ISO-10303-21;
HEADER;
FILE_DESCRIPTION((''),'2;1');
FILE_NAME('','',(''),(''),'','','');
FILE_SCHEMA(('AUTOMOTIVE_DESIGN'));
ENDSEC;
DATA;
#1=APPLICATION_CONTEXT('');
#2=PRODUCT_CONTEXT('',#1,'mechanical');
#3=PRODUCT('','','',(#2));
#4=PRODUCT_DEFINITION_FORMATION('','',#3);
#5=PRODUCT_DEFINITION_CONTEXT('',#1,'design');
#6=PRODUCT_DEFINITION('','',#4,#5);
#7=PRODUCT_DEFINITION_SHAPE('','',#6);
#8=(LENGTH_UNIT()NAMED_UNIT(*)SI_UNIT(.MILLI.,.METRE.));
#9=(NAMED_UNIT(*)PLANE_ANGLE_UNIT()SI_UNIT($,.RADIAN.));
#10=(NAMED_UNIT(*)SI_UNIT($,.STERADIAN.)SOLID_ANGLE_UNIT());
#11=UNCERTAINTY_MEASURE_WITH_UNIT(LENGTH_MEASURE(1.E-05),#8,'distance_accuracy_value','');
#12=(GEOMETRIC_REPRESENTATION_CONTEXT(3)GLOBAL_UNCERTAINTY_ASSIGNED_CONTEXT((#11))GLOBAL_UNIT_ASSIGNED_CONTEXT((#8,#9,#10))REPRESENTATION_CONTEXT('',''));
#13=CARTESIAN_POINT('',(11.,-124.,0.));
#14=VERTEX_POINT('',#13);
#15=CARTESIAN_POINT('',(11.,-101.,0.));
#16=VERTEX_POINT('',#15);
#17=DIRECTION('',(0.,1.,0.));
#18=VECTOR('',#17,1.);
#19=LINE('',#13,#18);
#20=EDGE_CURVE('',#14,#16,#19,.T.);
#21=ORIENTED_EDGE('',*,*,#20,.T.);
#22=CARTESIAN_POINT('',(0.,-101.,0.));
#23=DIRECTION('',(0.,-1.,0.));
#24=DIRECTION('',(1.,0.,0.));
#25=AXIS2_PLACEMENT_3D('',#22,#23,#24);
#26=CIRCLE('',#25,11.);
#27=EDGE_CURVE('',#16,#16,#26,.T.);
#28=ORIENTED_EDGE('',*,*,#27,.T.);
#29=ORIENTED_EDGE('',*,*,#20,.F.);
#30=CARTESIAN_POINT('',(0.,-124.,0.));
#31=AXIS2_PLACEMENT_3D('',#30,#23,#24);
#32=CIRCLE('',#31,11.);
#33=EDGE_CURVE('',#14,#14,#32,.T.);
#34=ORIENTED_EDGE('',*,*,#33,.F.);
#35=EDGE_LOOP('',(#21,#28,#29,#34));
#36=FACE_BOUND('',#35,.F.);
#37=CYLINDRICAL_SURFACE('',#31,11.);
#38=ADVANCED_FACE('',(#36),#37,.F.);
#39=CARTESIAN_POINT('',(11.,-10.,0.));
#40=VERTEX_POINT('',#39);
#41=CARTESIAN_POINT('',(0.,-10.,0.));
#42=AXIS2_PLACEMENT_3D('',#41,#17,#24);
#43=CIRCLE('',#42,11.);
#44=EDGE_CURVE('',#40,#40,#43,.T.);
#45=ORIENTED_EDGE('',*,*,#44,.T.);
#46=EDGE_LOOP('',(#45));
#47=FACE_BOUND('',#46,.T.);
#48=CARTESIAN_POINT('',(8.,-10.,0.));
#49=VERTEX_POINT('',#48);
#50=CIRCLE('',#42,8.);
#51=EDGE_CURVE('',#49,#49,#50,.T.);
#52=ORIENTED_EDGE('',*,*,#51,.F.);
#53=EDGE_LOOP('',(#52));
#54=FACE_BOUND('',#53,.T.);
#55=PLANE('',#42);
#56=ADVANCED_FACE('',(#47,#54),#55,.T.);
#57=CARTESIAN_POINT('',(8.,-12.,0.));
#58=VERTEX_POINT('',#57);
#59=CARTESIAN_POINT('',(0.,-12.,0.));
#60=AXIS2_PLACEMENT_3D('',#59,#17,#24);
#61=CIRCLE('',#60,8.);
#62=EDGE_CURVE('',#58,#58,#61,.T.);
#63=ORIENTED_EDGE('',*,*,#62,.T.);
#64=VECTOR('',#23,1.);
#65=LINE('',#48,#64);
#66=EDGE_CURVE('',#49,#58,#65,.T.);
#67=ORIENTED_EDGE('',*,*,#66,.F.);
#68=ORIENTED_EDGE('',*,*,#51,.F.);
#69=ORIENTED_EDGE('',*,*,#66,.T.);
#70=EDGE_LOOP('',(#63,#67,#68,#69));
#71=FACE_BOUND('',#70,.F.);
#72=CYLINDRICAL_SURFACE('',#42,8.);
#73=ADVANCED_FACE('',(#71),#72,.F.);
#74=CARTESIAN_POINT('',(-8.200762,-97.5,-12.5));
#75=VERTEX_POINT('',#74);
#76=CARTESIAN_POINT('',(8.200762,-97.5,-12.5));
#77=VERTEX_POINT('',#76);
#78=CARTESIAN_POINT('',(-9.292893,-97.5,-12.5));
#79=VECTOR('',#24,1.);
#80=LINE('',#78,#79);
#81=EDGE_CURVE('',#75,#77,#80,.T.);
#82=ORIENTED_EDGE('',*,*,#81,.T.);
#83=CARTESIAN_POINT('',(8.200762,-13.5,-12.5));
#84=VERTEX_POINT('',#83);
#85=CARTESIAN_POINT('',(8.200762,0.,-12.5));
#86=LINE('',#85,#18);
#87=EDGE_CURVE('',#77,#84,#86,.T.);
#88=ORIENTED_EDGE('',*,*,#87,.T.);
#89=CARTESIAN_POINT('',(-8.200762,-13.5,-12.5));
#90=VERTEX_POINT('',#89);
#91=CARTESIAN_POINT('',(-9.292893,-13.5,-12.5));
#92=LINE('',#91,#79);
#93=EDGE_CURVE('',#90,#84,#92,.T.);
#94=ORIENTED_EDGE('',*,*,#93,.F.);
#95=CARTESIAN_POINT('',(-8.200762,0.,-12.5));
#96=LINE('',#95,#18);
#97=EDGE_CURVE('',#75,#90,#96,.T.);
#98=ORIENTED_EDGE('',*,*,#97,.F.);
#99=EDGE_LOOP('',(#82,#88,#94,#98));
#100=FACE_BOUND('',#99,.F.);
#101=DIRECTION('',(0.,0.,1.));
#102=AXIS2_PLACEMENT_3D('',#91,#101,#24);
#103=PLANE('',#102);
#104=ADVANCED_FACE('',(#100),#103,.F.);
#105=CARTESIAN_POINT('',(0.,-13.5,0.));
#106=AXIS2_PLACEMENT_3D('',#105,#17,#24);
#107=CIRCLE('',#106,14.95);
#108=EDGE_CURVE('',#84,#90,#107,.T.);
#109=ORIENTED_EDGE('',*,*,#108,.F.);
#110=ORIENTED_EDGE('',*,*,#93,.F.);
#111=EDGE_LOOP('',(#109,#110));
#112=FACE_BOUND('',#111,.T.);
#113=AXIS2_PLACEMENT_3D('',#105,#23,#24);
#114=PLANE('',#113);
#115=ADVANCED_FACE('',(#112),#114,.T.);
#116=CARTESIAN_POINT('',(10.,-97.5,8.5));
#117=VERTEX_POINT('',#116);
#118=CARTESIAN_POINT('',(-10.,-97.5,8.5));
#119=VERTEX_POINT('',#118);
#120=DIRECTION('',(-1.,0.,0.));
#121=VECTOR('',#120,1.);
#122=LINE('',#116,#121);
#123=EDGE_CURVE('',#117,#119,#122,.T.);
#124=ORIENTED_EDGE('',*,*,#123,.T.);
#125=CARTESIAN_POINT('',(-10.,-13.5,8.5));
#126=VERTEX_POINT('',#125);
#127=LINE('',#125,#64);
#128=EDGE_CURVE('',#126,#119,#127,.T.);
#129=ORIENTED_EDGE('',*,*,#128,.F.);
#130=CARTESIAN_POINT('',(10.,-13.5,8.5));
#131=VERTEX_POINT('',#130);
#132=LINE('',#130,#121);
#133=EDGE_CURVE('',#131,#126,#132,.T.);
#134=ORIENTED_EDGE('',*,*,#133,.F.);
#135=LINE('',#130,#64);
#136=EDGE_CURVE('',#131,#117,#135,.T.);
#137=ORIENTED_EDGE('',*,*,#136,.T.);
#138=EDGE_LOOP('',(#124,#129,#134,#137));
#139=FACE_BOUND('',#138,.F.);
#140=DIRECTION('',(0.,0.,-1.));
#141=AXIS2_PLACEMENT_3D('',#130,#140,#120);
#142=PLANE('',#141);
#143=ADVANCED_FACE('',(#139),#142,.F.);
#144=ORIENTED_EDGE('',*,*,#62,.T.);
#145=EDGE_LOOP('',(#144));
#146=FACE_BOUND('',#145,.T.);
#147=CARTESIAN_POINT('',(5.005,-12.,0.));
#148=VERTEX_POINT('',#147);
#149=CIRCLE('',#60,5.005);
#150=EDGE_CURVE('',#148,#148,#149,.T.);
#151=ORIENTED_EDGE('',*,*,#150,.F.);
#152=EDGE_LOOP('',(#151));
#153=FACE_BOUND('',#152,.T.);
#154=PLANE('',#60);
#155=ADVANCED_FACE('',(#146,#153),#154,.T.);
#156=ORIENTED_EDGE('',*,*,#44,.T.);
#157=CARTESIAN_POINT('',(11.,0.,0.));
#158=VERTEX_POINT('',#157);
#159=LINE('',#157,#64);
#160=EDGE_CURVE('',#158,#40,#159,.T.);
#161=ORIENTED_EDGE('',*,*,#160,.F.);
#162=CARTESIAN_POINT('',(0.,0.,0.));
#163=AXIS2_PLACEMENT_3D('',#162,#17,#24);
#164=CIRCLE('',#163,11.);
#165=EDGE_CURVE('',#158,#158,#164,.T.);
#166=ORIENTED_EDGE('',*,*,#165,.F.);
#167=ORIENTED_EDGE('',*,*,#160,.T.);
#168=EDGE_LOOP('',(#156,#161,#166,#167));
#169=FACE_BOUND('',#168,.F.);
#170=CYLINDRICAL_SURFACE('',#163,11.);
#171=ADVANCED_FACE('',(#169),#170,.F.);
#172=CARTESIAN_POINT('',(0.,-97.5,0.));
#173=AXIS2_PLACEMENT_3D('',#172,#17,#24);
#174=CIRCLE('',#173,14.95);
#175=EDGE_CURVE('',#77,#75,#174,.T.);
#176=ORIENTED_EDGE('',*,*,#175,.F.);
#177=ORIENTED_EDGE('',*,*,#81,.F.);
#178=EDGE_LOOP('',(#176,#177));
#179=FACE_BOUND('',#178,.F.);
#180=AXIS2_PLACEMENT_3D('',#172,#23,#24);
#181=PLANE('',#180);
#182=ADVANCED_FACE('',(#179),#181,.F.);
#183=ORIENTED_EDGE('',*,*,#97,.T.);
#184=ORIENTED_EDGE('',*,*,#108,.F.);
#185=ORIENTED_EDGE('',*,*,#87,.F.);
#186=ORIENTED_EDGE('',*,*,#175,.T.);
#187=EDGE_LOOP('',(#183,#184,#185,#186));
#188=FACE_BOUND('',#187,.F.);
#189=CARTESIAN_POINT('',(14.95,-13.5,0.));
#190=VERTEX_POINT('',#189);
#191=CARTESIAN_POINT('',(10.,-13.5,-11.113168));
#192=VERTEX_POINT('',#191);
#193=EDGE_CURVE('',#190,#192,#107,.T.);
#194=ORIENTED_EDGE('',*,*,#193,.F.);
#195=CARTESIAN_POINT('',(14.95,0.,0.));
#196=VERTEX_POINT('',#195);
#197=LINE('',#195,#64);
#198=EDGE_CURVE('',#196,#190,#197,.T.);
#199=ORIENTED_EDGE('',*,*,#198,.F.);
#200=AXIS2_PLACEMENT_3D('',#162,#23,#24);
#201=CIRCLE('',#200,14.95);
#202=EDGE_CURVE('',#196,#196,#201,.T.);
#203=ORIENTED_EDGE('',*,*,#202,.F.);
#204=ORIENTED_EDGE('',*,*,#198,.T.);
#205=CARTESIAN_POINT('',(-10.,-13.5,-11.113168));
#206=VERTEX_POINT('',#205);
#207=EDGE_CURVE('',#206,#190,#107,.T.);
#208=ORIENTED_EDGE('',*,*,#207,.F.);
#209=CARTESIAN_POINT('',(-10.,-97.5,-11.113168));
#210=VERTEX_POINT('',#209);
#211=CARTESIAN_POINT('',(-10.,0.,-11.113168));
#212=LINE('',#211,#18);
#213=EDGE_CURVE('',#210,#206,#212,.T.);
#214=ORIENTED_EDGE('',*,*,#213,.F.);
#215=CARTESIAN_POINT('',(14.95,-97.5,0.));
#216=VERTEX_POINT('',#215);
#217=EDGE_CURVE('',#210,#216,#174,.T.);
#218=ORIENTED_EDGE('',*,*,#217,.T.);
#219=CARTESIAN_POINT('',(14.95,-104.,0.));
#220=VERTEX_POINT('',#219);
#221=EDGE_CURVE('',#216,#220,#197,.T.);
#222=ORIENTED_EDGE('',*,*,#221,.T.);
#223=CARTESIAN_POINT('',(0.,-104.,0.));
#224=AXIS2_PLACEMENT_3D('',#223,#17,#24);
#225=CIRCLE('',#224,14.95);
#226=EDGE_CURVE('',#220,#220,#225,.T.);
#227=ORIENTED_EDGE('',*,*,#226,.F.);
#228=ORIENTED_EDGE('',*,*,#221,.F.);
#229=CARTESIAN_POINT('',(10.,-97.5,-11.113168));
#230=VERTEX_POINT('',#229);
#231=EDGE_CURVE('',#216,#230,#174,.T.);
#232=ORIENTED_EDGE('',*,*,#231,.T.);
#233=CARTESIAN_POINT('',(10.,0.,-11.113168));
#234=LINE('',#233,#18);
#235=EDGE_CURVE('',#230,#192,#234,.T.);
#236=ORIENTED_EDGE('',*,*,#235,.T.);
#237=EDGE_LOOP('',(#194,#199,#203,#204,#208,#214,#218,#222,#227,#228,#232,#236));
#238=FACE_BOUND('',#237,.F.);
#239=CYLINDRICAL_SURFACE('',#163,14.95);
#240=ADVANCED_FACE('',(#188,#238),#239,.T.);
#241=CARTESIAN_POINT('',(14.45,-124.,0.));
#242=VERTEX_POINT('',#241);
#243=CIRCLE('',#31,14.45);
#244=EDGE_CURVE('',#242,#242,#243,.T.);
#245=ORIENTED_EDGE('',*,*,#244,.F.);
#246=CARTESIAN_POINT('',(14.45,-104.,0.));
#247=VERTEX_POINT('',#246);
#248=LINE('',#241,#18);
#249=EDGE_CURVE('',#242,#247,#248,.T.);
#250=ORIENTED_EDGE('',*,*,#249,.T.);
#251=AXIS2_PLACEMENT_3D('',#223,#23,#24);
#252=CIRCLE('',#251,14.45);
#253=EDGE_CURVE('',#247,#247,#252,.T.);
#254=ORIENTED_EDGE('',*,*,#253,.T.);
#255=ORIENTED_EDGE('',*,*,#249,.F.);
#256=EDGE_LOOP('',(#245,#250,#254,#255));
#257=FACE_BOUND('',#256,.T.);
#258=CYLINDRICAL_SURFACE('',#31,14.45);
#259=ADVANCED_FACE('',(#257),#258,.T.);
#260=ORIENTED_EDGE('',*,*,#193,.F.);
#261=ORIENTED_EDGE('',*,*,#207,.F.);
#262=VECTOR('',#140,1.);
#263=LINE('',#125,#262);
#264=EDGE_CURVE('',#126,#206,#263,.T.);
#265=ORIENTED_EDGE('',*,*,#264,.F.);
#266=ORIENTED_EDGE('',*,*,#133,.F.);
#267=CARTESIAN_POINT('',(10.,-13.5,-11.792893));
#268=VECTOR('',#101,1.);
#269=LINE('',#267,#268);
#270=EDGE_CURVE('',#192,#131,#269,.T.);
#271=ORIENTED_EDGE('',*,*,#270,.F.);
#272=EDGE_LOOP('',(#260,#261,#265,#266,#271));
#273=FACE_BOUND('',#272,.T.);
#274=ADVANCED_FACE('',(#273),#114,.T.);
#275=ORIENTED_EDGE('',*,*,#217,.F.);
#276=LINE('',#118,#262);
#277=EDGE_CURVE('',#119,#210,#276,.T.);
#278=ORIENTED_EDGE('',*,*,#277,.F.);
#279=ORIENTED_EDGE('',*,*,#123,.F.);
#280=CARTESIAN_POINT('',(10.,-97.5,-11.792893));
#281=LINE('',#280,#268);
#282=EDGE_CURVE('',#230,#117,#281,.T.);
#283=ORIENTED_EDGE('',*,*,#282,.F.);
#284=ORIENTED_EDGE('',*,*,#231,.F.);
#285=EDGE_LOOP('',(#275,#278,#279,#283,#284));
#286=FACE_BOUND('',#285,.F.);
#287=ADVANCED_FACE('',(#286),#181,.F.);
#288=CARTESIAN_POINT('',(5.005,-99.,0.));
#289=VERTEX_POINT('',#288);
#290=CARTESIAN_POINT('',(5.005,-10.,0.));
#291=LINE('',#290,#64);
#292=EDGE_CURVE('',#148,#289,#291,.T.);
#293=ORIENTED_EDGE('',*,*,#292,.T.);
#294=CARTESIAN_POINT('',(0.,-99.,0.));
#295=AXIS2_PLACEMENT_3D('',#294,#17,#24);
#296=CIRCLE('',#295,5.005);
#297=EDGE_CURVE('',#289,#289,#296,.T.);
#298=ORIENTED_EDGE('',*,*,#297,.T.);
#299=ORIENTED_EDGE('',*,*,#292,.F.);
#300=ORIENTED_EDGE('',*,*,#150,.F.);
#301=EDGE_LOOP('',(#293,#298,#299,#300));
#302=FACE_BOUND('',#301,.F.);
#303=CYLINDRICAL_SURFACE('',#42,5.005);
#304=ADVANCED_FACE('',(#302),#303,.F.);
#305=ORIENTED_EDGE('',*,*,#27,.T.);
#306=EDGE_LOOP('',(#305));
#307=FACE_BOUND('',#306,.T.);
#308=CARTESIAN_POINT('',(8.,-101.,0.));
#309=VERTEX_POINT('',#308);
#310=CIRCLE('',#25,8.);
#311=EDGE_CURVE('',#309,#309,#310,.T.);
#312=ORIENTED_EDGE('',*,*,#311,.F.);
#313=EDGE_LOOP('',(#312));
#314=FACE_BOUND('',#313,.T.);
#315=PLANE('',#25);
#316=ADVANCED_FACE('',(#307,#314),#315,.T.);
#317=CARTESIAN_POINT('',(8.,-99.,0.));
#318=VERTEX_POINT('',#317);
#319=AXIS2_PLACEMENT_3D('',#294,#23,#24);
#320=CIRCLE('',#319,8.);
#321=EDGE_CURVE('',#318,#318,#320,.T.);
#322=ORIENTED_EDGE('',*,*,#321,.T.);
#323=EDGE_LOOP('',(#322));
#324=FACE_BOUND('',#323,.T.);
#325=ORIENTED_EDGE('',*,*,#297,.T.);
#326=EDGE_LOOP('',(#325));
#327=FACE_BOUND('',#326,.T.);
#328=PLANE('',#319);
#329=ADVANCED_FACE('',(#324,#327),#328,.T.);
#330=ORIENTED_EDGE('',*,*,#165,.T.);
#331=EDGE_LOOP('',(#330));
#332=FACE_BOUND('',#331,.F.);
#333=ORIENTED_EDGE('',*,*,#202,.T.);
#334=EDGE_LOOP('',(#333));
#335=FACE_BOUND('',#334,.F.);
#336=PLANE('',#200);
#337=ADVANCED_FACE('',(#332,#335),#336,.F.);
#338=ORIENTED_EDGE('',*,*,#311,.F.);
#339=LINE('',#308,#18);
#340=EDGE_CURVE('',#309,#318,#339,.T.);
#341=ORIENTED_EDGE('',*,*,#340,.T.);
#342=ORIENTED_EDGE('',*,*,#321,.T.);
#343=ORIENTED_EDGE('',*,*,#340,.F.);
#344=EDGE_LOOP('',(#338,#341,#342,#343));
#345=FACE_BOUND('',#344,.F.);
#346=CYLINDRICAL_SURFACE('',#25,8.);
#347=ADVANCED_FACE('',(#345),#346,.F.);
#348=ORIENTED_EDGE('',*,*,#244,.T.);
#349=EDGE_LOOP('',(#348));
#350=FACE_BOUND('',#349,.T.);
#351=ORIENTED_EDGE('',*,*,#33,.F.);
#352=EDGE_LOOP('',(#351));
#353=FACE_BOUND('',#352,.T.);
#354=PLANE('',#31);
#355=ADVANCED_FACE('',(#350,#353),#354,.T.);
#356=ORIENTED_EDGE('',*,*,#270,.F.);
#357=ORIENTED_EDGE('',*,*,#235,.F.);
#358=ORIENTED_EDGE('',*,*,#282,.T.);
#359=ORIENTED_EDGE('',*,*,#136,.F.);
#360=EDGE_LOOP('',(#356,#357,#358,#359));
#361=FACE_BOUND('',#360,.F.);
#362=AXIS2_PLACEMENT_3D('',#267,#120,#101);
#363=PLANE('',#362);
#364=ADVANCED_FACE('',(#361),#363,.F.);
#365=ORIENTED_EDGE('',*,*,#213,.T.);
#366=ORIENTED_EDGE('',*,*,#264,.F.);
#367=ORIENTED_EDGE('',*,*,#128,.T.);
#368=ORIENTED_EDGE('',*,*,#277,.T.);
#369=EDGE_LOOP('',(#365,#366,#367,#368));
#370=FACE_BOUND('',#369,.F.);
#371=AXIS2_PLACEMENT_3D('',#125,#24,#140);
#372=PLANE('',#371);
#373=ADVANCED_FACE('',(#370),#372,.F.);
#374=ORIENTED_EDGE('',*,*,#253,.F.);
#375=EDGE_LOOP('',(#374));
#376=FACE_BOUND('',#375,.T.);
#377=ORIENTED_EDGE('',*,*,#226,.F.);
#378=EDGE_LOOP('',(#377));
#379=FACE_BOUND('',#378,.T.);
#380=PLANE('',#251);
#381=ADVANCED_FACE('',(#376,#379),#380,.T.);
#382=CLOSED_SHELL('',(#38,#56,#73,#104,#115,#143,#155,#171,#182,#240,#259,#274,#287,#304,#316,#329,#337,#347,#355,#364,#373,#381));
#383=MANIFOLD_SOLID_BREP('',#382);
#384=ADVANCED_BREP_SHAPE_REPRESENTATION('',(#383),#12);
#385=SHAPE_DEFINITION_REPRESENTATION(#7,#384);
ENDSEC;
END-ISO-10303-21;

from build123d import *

# Parameters (mm, degrees)
SKETCH_R        = 14.95
PAD001_DEPTH    = 124
SKETCH001_R     = 11
POCKET_DEPTH    = 10
SKETCH021_R     = 8
POCKET007_DEPTH = 2
SKETCH002_R     = 5.005
POCKET001_DEPTH = 114.001
SKETCH003_R     = 11
POCKET002_DEPTH = 23
SKETCH022_R     = 8
POCKET008_DEPTH = 2
SKETCH004_W     = 30.9
SKETCH004_H     = 30.9
POCKET003_DEPTH = 84
SKETCH015_R     = 15.45
SKETCH015_R_2   = 14.45
POCKET005_DEPTH = 20


with BuildPart() as part:
    # Sketch → Pad001 (new body)
    with BuildSketch(Plane.XZ):
        Circle(SKETCH_R)
    extrude(amount=PAD001_DEPTH)

    # Sketch001 (on Face2 of Pad001) → Pocket (cut)
    with BuildSketch(Plane(origin=(0, 0, 0), x_dir=(1, 0, 0), z_dir=(0, 1, 0))):
        Circle(SKETCH001_R)
    extrude(amount=-POCKET_DEPTH, mode=Mode.SUBTRACT)

    # Sketch021 (on Face5 of Pocket) → Pocket007 (cut)
    with BuildSketch(Plane(origin=(0, -10, 0), x_dir=(1, 0, 0), z_dir=(0, 1, 0))):
        Circle(SKETCH021_R)
    extrude(amount=-POCKET007_DEPTH, mode=Mode.SUBTRACT)

    # Sketch002 (on Face5 of Pocket) → Pocket001 (cut, through all)
    with BuildSketch(Plane(origin=(0, -10, 0), x_dir=(1, 0, 0), z_dir=(0, 1, 0))):
        Circle(SKETCH002_R)
    extrude(amount=-POCKET001_DEPTH, mode=Mode.SUBTRACT)

    # Sketch003 (on Face3 of Pocket001) → Pocket002 (cut)
    with BuildSketch(Plane.XZ.offset(124)):
        Circle(SKETCH003_R)
    extrude(amount=-POCKET002_DEPTH, mode=Mode.SUBTRACT)

    # Sketch022 (on Face7 of Pocket002) → Pocket008 (cut)
    with BuildSketch(Plane.XZ.offset(101)):
        Circle(SKETCH022_R)
    extrude(amount=-POCKET008_DEPTH, mode=Mode.SUBTRACT)

    # Sketch004 → Pocket003 (cut)
    with BuildSketch(Plane.XZ.offset(13.5)):
        Rectangle(SKETCH004_W, SKETCH004_H)
        Polygon((-9.292893, -12.5), (9.292893, -12.5), (10, -11.792893), (10, 8.5), (-10, 8.5), (-10, -11.792893), align=None, mode=Mode.SUBTRACT)
    extrude(amount=POCKET003_DEPTH, mode=Mode.SUBTRACT)

    # Sketch015 (on Face6 of Pocket003) → Pocket005 (cut)
    with BuildSketch(Plane.XZ.offset(124)):
        Circle(SKETCH015_R)
        Circle(SKETCH015_R_2, mode=Mode.SUBTRACT)
    extrude(amount=-POCKET005_DEPTH, mode=Mode.SUBTRACT)


solid = part.part
